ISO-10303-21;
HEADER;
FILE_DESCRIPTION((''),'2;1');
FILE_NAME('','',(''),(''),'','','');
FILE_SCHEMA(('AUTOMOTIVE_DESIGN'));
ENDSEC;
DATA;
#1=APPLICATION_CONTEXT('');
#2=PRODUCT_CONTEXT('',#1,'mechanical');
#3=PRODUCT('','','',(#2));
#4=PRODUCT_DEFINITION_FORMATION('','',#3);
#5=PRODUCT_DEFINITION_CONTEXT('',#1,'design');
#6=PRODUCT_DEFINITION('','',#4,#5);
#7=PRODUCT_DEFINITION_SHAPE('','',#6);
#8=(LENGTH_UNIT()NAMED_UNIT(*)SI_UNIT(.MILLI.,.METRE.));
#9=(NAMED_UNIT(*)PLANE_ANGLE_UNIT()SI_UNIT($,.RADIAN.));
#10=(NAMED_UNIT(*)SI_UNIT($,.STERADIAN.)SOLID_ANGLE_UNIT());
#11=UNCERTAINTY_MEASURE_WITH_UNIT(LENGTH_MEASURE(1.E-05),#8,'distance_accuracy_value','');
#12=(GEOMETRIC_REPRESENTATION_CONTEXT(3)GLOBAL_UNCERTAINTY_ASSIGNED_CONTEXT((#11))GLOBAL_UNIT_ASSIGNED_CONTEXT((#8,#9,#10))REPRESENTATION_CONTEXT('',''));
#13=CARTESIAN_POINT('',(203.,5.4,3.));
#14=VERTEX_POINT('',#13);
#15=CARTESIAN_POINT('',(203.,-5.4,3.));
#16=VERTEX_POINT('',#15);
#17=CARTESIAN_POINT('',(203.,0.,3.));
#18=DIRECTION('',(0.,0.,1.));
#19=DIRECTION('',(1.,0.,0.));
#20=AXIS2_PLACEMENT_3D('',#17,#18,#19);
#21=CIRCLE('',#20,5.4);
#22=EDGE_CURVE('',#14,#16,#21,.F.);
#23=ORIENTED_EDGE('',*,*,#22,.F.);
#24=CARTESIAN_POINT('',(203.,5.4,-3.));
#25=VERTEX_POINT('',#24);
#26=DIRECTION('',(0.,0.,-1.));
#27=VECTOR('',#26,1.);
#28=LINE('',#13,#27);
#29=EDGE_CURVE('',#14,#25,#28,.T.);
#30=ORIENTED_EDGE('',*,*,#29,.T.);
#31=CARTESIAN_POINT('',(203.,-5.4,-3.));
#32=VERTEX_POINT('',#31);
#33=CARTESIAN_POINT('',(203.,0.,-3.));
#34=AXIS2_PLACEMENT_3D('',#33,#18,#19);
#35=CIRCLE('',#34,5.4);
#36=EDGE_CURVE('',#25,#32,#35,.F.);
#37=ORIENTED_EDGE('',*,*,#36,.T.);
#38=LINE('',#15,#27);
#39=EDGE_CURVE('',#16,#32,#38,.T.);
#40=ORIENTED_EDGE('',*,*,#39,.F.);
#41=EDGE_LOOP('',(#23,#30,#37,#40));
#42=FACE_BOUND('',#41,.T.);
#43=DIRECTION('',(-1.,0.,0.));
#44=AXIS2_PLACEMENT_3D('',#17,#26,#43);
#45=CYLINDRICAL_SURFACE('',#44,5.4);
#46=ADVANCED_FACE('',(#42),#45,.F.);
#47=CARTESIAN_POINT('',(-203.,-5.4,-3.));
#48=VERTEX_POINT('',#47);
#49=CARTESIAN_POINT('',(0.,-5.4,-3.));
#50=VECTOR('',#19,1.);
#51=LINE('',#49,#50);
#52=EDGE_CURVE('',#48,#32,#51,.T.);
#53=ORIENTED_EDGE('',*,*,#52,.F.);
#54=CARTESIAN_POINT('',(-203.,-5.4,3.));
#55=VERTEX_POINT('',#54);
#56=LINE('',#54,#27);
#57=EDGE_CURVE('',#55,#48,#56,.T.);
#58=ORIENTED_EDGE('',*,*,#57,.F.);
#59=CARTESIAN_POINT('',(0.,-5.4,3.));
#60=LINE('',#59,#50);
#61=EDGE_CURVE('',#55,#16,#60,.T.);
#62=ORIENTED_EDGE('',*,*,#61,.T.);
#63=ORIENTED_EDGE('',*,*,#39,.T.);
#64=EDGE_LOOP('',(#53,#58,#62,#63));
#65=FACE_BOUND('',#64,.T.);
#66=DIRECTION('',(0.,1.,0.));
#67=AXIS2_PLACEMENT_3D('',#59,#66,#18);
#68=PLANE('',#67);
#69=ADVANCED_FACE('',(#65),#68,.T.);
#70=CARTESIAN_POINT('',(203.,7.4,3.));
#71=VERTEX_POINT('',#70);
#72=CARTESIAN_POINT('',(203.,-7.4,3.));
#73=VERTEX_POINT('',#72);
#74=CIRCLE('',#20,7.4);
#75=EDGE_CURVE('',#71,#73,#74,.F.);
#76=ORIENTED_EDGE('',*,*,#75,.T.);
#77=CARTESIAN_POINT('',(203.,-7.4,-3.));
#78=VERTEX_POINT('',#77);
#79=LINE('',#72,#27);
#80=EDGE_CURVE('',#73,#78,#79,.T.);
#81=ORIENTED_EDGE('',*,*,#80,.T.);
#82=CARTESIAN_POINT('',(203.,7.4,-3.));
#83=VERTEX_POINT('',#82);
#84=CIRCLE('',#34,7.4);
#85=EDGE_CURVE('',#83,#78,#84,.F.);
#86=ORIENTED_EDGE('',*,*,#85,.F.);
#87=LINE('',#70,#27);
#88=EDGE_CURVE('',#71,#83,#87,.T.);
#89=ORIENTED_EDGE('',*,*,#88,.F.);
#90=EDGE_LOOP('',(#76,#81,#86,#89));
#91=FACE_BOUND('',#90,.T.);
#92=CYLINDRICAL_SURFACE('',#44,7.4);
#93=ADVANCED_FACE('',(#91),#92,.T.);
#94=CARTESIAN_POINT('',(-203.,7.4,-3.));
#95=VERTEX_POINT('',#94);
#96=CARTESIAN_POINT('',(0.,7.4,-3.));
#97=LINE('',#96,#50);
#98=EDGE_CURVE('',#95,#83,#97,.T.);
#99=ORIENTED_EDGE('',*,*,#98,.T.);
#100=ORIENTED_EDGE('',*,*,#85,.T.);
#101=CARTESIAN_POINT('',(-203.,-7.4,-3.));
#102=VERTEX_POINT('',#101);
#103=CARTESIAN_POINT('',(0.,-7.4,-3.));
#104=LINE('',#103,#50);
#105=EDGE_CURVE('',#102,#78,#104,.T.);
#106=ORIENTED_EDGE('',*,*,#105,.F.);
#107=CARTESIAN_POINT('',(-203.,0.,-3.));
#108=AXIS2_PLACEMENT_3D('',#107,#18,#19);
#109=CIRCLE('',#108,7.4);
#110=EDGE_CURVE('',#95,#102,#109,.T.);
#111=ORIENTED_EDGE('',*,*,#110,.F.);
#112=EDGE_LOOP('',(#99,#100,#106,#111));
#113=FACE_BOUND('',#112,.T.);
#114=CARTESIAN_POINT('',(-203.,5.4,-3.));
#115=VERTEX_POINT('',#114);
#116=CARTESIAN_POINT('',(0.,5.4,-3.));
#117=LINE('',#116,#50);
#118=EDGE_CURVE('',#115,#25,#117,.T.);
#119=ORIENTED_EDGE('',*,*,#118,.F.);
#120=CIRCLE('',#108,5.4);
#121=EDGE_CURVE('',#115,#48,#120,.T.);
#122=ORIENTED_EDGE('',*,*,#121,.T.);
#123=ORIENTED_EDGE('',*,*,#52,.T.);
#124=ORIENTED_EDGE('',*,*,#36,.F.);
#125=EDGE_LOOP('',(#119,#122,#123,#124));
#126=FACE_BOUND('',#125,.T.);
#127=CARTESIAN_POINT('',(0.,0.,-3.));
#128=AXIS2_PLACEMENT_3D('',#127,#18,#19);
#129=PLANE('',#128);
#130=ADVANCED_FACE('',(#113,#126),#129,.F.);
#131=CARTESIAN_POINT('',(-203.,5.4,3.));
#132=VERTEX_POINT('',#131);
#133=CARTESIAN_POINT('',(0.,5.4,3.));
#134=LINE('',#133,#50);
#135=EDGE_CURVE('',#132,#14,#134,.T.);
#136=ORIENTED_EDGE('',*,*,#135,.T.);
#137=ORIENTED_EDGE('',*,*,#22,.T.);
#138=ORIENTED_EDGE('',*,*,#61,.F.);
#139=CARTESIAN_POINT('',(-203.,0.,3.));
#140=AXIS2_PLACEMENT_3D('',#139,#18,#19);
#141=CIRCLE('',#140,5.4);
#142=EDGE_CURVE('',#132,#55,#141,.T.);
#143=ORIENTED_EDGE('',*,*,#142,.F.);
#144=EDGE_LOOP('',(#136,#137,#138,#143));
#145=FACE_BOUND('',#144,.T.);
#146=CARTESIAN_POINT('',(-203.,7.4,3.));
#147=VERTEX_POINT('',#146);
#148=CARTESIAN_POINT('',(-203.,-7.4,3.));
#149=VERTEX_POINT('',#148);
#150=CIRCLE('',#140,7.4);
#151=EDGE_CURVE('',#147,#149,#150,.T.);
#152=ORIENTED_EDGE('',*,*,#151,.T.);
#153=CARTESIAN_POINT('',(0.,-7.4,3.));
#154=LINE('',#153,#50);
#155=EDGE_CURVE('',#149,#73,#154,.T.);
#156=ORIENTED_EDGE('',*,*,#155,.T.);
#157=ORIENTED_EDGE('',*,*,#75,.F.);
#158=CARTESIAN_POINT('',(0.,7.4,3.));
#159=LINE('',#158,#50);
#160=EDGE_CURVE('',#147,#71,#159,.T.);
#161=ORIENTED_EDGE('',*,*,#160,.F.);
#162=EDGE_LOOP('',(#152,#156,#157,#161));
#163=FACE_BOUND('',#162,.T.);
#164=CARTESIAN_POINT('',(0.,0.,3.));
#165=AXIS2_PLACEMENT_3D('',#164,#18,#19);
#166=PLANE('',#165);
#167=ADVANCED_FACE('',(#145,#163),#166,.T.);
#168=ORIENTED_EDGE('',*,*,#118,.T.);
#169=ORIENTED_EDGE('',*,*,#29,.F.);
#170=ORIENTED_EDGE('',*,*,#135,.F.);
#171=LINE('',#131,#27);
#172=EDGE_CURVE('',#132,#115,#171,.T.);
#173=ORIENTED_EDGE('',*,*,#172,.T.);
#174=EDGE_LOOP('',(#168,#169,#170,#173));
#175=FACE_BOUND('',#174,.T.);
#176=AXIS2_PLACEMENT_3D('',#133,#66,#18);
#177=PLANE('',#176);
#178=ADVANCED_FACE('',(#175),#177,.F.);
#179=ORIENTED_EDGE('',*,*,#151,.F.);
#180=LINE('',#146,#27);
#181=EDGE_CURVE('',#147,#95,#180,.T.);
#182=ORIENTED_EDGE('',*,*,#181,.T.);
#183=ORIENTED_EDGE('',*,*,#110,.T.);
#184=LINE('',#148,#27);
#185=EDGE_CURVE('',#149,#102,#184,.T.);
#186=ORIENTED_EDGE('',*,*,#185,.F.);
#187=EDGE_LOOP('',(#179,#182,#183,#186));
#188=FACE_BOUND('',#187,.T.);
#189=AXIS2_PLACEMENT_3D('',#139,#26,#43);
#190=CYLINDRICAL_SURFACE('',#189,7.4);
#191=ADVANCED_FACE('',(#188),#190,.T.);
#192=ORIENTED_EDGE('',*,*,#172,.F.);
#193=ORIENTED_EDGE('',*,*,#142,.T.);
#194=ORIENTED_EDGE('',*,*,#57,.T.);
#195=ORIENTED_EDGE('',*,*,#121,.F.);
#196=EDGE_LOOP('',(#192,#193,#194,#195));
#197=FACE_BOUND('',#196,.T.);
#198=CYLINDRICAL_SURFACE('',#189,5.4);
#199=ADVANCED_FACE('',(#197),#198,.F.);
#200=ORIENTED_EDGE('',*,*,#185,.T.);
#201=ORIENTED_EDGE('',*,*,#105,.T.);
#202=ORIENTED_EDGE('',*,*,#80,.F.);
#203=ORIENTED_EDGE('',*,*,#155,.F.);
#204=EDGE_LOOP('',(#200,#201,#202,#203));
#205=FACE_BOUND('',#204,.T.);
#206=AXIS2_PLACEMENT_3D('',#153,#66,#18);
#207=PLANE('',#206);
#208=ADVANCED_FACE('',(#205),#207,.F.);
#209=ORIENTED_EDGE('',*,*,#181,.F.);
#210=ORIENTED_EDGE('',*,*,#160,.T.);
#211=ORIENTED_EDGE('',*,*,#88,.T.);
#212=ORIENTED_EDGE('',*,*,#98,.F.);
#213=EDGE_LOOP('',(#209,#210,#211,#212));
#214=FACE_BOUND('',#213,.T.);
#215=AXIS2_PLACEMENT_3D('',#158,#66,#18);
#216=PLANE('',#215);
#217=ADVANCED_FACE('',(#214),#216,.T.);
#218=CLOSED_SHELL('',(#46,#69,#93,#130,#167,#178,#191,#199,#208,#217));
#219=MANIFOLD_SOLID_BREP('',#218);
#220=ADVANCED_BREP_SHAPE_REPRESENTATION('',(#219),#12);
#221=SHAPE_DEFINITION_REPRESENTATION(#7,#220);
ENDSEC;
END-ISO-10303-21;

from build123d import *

# Parameters (mm, degrees)
RESSALTO_EXTRUS_O1_DEPTH = 3


with BuildPart() as part:
    # Esboço1 → Ressalto-extrusão1 (new, symmetric)
    with BuildSketch(Plane.XY):
        with BuildLine():
            ThreePointArc((203, -7.4), (210.4, 0), (203, 7.4))
            Line((203, 7.4), (-203, 7.4))
            ThreePointArc((-203, 7.4), (-210.4, 0), (-203, -7.4))
            Line((-203, -7.4), (203, -7.4))
        make_face()
        with BuildLine():
            Line((-203, 5.4), (203, 5.4))
            ThreePointArc((203, 5.4), (208.4, 0), (203, -5.4))
            Line((203, -5.4), (-203, -5.4))
            ThreePointArc((-203, -5.4), (-208.4, 0), (-203, 5.4))
        make_face(mode=Mode.SUBTRACT)
    extrude(amount=RESSALTO_EXTRUS_O1_DEPTH, both=True)


solid = part.part
